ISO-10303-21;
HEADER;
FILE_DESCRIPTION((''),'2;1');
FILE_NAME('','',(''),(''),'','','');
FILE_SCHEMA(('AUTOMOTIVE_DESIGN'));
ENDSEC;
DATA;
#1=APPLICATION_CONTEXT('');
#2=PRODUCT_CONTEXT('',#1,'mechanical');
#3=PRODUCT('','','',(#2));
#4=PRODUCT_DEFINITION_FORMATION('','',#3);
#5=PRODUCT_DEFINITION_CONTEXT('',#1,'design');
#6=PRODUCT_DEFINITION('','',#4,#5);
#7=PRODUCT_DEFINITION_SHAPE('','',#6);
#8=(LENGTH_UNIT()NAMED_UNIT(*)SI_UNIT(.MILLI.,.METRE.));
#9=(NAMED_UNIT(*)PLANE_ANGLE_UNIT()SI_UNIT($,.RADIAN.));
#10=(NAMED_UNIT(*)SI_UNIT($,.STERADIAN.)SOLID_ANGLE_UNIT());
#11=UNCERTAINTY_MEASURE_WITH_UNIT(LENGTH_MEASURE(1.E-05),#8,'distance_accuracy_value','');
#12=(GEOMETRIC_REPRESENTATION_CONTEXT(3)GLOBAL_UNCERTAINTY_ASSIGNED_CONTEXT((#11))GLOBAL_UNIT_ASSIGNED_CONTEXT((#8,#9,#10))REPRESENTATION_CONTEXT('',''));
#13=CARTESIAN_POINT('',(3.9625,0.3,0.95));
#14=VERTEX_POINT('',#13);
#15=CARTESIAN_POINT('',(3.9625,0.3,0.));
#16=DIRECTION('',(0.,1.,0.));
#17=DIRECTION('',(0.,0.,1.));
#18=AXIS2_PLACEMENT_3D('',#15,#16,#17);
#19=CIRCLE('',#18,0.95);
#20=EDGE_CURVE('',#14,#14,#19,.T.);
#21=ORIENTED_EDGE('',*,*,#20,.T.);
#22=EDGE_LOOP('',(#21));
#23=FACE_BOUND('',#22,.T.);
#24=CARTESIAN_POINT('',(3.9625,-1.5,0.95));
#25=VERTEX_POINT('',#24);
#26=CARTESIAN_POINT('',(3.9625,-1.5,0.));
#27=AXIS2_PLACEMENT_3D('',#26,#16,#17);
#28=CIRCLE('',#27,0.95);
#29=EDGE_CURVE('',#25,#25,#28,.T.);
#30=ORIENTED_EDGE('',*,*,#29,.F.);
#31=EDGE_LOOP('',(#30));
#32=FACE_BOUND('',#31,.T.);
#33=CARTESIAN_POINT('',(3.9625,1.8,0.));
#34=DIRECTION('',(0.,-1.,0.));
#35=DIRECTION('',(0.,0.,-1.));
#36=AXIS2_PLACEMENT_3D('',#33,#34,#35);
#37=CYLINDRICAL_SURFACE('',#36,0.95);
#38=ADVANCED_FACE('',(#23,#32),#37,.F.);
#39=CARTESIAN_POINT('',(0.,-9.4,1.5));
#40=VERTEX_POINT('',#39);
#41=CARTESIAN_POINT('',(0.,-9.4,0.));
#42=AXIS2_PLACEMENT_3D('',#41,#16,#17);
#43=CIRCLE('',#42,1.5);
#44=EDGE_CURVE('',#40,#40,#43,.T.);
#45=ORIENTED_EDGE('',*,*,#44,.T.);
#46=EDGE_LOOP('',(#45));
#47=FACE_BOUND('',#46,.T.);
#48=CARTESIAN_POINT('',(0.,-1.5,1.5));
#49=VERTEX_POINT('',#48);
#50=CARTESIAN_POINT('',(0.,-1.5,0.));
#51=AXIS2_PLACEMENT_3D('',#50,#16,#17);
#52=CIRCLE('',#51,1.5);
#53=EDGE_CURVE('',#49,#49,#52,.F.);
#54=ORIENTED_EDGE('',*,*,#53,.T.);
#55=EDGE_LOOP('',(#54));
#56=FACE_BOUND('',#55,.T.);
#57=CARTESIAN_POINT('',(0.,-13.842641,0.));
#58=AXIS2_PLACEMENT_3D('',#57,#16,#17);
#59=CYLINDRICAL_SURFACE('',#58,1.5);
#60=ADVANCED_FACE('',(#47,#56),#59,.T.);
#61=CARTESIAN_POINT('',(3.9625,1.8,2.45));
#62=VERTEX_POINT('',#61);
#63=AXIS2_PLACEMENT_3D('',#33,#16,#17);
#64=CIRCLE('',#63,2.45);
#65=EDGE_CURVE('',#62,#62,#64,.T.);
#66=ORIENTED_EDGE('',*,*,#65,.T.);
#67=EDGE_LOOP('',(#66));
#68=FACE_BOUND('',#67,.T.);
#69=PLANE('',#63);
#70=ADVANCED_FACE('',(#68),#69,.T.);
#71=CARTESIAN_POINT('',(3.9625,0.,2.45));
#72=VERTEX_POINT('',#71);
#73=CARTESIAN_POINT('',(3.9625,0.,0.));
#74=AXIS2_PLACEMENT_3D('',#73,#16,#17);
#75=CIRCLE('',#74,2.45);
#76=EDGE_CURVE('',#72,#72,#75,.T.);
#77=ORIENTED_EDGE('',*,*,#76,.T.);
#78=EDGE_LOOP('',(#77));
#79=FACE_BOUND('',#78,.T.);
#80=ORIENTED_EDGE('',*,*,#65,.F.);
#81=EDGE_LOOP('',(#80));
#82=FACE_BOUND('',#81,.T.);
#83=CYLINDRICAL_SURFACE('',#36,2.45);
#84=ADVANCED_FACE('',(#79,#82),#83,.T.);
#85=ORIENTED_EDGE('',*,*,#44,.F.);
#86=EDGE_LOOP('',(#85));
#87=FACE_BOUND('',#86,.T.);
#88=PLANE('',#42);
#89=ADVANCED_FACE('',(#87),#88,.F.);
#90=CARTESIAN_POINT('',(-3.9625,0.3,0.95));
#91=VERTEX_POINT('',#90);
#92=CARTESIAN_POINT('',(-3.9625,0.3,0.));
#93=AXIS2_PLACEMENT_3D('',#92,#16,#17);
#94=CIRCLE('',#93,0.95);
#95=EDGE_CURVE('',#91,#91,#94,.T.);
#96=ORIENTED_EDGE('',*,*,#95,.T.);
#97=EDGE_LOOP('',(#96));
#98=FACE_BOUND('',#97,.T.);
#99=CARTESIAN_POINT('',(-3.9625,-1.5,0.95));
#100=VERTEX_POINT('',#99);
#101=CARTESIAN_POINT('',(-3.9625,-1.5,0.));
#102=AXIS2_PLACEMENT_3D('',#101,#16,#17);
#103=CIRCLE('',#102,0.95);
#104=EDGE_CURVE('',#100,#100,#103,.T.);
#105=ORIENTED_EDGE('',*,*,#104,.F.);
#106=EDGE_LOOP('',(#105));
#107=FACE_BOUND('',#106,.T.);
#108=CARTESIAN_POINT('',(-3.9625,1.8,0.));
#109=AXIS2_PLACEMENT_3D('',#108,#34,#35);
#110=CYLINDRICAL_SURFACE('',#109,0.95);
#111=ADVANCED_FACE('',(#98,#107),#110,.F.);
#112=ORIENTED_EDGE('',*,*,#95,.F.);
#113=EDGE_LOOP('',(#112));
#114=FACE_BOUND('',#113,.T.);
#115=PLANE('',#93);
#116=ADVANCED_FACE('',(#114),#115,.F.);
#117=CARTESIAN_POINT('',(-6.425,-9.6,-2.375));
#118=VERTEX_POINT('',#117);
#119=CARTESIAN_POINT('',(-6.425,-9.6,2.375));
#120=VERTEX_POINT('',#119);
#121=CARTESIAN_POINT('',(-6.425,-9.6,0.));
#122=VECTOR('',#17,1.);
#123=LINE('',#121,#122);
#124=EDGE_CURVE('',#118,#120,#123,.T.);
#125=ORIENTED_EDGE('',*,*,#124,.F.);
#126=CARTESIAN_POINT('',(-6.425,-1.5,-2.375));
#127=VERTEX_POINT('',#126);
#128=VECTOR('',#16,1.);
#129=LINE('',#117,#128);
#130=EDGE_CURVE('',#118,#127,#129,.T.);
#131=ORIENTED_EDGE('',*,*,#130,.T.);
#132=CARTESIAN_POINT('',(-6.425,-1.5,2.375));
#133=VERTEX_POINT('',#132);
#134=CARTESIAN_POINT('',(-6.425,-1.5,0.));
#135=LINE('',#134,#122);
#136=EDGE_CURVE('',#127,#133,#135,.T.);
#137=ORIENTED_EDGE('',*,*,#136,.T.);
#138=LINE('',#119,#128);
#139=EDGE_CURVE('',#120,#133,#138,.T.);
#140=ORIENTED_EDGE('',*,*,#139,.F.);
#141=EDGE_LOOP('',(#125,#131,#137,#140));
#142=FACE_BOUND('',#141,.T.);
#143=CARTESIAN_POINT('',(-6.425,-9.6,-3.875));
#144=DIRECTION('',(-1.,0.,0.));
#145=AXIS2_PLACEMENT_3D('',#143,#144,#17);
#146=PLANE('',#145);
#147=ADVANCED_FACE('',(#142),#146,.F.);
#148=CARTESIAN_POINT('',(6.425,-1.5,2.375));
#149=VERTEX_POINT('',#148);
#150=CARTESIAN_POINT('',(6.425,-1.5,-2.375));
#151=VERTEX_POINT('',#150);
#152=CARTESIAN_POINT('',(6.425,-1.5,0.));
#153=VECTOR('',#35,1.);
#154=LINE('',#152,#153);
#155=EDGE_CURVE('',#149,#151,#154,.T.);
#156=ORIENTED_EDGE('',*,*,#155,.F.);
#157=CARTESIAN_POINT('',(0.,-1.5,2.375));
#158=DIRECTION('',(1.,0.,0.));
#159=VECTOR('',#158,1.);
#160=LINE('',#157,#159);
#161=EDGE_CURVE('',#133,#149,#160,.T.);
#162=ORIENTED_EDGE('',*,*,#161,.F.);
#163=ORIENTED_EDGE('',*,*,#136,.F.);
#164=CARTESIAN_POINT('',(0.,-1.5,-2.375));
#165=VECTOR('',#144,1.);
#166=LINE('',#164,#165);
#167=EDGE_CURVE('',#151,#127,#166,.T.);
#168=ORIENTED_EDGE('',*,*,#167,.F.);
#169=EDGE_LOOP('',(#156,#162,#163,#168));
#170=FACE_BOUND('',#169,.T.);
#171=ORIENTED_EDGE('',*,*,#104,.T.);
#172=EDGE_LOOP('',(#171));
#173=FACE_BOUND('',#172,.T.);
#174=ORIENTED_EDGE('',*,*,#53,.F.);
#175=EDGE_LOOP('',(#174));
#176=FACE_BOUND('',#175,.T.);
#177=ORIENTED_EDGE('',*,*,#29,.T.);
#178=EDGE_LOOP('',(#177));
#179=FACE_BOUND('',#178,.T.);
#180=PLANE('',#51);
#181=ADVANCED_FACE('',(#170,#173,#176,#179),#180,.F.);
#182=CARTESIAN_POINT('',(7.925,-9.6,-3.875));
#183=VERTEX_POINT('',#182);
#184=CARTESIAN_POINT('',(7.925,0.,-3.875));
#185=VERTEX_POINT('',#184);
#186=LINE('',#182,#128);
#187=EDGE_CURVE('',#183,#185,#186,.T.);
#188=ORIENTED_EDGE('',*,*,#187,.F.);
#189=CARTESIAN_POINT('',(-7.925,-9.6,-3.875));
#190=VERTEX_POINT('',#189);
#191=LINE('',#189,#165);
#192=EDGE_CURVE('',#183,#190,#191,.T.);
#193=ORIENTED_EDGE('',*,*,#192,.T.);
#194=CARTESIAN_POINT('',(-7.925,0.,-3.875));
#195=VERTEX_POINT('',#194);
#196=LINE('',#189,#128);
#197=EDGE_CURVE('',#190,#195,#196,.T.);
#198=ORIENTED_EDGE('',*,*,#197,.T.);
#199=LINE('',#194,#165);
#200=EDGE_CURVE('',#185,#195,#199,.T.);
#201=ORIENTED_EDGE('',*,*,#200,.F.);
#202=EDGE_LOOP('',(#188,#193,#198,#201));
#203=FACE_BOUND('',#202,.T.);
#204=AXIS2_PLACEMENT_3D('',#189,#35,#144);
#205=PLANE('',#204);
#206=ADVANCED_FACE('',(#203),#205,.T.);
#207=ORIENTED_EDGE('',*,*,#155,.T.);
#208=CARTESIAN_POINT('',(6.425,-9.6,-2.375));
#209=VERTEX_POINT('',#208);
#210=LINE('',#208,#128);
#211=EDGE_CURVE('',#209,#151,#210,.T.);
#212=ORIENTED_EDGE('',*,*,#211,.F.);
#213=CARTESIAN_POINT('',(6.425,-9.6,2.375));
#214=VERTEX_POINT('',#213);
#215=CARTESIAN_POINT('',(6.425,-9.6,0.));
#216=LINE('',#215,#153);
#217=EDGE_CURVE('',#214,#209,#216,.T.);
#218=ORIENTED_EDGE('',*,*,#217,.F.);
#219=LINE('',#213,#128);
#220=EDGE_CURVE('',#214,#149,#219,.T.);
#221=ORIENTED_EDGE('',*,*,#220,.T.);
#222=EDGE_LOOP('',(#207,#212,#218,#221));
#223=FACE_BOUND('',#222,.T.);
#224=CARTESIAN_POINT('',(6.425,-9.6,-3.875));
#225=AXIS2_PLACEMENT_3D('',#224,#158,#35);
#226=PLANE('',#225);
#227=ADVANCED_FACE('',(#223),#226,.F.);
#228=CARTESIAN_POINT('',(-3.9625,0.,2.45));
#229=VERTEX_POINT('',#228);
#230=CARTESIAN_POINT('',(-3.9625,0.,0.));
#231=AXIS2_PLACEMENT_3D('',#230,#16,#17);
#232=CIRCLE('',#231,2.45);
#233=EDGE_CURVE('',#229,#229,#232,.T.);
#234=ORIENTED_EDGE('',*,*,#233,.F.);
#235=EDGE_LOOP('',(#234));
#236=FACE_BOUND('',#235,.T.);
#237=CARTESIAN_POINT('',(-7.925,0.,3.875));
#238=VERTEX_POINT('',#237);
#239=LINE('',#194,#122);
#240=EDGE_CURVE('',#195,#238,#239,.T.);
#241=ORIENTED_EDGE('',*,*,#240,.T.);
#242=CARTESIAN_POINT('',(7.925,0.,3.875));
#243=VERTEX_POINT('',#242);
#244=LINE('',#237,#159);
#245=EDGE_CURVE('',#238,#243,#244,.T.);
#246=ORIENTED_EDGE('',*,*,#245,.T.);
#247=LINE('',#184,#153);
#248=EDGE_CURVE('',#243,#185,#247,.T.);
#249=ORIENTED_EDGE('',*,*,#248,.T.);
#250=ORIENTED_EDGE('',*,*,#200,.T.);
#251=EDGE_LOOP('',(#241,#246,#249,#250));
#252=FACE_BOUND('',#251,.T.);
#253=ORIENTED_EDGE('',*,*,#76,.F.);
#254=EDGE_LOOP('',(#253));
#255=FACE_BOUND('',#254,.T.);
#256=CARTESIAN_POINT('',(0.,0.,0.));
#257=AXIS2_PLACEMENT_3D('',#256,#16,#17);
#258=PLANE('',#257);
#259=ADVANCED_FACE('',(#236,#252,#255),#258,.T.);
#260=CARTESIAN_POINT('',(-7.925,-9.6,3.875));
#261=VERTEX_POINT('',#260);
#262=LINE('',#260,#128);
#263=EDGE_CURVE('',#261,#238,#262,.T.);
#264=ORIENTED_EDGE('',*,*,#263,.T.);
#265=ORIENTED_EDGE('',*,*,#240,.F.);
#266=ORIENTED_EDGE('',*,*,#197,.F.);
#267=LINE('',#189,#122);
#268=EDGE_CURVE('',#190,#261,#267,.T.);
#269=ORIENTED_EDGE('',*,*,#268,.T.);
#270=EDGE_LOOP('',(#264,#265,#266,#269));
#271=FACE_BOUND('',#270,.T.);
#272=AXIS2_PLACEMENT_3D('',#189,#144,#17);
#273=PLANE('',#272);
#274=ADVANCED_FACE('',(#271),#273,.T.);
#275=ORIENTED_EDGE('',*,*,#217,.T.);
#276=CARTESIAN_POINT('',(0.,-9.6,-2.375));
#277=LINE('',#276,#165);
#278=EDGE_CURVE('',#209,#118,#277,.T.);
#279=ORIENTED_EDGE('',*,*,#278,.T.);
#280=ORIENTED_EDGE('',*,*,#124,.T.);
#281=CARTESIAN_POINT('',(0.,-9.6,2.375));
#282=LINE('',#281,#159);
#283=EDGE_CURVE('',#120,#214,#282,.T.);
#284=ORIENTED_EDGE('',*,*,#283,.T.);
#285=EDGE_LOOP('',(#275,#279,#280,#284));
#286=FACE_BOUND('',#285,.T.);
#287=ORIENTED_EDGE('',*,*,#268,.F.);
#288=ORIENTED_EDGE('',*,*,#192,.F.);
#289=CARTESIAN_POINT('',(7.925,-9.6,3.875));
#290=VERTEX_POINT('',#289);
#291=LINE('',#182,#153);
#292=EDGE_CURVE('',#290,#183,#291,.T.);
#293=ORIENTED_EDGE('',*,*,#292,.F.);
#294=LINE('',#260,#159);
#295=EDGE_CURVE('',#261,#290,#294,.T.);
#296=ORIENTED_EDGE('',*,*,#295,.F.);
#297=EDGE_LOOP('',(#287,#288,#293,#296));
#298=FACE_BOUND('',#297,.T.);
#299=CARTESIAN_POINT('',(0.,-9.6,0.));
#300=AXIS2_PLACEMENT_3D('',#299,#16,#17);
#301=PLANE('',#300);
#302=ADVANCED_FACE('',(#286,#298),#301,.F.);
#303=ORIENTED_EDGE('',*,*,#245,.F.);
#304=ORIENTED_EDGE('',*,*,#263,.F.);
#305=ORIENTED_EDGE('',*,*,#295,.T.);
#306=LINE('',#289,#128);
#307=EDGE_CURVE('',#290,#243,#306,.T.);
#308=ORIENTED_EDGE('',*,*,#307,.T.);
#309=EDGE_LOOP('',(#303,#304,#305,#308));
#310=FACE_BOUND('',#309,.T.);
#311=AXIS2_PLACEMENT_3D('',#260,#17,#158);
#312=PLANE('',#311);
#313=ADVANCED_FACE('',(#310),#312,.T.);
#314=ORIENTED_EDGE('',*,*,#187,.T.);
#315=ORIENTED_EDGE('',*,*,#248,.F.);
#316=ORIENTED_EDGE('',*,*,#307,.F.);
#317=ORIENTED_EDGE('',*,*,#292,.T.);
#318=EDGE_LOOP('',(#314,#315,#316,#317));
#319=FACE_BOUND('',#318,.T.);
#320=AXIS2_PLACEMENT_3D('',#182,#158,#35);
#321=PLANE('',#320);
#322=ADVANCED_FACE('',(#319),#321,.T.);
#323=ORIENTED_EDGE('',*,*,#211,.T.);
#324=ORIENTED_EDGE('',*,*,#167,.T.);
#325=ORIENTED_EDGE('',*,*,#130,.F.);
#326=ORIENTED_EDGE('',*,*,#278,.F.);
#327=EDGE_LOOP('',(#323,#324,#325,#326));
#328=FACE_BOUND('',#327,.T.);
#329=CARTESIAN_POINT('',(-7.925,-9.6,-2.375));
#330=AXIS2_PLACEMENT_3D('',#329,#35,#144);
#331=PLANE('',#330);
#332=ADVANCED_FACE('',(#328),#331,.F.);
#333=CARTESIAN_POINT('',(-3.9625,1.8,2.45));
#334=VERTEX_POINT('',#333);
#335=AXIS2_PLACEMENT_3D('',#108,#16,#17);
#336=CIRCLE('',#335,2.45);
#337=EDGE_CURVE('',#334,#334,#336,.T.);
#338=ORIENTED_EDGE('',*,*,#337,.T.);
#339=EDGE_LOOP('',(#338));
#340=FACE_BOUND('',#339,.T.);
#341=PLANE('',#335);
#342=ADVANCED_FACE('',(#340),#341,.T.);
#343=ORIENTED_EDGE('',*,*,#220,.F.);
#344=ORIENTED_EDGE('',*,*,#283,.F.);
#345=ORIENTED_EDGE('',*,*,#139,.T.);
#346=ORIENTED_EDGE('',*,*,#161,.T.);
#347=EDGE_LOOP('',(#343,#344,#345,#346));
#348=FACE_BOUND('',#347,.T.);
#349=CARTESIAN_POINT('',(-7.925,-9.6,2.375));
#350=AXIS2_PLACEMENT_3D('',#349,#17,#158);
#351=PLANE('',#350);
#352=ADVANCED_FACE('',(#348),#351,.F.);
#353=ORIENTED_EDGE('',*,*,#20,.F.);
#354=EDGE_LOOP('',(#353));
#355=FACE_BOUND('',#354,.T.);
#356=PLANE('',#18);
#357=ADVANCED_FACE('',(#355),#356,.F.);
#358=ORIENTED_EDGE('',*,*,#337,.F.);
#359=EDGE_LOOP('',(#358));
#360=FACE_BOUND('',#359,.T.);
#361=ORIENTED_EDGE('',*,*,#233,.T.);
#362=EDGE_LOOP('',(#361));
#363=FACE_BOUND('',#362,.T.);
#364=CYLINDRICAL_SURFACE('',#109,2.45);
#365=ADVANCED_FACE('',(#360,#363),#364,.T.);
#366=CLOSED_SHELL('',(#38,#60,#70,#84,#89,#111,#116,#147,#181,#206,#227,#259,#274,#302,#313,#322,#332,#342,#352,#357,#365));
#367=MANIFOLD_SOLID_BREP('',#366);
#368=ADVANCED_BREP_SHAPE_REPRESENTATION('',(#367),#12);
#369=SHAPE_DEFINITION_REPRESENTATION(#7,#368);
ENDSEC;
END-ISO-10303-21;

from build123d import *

# Parameters (mm, degrees)
SKETCH1_W           = 15.85
SKETCH1_H           = 7.75
BOSS_EXTRUDE1_DEPTH = 9.6
SKETCH2_R           = 2.45
BOSS_EXTRUDE2_DEPTH = 1.8
SHELL1_T            = -1.5
SKETCH3_R           = 1.5
BOSS_EXTRUDE3_DEPTH = 7.9


with BuildPart() as part:
    # Sketch1 → Boss-Extrude1 (new body)
    with BuildSketch(Plane(origin=(0, 0, 0), x_dir=(1, 0, 0), z_dir=(0, 1, 0))):
        Rectangle(SKETCH1_W, SKETCH1_H)
    extrude(amount=-BOSS_EXTRUDE1_DEPTH)

    # Sketch2 → Boss-Extrude2 (add)
    with BuildSketch(Plane(origin=(0, 0, 0), x_dir=(1, 0, 0), z_dir=(0, 1, 0))):
        with Locations(Location((-3.9625, 0, 0), (0, 0, 270))):
            Circle(SKETCH2_R)
        with Locations(Location((3.9625, 0, 0), (0, 0, 270))):
            Circle(SKETCH2_R)
    extrude(amount=BOSS_EXTRUDE2_DEPTH)

    # Shell1
    shell1_openings = [part.faces().sort_by_distance(p)[0] for p in [
        (0, -9.6, 0),
    ]]
    offset(amount=SHELL1_T, openings=shell1_openings, kind=Kind.INTERSECTION)

    # Sketch3 → Boss-Extrude3 (add)
    with BuildSketch(Plane.XZ.offset(1.5)):
        with Locations(Location((0, 0, 0), (0, 0, 90))):
            Circle(SKETCH3_R)
    extrude(amount=BOSS_EXTRUDE3_DEPTH)


solid = part.part
